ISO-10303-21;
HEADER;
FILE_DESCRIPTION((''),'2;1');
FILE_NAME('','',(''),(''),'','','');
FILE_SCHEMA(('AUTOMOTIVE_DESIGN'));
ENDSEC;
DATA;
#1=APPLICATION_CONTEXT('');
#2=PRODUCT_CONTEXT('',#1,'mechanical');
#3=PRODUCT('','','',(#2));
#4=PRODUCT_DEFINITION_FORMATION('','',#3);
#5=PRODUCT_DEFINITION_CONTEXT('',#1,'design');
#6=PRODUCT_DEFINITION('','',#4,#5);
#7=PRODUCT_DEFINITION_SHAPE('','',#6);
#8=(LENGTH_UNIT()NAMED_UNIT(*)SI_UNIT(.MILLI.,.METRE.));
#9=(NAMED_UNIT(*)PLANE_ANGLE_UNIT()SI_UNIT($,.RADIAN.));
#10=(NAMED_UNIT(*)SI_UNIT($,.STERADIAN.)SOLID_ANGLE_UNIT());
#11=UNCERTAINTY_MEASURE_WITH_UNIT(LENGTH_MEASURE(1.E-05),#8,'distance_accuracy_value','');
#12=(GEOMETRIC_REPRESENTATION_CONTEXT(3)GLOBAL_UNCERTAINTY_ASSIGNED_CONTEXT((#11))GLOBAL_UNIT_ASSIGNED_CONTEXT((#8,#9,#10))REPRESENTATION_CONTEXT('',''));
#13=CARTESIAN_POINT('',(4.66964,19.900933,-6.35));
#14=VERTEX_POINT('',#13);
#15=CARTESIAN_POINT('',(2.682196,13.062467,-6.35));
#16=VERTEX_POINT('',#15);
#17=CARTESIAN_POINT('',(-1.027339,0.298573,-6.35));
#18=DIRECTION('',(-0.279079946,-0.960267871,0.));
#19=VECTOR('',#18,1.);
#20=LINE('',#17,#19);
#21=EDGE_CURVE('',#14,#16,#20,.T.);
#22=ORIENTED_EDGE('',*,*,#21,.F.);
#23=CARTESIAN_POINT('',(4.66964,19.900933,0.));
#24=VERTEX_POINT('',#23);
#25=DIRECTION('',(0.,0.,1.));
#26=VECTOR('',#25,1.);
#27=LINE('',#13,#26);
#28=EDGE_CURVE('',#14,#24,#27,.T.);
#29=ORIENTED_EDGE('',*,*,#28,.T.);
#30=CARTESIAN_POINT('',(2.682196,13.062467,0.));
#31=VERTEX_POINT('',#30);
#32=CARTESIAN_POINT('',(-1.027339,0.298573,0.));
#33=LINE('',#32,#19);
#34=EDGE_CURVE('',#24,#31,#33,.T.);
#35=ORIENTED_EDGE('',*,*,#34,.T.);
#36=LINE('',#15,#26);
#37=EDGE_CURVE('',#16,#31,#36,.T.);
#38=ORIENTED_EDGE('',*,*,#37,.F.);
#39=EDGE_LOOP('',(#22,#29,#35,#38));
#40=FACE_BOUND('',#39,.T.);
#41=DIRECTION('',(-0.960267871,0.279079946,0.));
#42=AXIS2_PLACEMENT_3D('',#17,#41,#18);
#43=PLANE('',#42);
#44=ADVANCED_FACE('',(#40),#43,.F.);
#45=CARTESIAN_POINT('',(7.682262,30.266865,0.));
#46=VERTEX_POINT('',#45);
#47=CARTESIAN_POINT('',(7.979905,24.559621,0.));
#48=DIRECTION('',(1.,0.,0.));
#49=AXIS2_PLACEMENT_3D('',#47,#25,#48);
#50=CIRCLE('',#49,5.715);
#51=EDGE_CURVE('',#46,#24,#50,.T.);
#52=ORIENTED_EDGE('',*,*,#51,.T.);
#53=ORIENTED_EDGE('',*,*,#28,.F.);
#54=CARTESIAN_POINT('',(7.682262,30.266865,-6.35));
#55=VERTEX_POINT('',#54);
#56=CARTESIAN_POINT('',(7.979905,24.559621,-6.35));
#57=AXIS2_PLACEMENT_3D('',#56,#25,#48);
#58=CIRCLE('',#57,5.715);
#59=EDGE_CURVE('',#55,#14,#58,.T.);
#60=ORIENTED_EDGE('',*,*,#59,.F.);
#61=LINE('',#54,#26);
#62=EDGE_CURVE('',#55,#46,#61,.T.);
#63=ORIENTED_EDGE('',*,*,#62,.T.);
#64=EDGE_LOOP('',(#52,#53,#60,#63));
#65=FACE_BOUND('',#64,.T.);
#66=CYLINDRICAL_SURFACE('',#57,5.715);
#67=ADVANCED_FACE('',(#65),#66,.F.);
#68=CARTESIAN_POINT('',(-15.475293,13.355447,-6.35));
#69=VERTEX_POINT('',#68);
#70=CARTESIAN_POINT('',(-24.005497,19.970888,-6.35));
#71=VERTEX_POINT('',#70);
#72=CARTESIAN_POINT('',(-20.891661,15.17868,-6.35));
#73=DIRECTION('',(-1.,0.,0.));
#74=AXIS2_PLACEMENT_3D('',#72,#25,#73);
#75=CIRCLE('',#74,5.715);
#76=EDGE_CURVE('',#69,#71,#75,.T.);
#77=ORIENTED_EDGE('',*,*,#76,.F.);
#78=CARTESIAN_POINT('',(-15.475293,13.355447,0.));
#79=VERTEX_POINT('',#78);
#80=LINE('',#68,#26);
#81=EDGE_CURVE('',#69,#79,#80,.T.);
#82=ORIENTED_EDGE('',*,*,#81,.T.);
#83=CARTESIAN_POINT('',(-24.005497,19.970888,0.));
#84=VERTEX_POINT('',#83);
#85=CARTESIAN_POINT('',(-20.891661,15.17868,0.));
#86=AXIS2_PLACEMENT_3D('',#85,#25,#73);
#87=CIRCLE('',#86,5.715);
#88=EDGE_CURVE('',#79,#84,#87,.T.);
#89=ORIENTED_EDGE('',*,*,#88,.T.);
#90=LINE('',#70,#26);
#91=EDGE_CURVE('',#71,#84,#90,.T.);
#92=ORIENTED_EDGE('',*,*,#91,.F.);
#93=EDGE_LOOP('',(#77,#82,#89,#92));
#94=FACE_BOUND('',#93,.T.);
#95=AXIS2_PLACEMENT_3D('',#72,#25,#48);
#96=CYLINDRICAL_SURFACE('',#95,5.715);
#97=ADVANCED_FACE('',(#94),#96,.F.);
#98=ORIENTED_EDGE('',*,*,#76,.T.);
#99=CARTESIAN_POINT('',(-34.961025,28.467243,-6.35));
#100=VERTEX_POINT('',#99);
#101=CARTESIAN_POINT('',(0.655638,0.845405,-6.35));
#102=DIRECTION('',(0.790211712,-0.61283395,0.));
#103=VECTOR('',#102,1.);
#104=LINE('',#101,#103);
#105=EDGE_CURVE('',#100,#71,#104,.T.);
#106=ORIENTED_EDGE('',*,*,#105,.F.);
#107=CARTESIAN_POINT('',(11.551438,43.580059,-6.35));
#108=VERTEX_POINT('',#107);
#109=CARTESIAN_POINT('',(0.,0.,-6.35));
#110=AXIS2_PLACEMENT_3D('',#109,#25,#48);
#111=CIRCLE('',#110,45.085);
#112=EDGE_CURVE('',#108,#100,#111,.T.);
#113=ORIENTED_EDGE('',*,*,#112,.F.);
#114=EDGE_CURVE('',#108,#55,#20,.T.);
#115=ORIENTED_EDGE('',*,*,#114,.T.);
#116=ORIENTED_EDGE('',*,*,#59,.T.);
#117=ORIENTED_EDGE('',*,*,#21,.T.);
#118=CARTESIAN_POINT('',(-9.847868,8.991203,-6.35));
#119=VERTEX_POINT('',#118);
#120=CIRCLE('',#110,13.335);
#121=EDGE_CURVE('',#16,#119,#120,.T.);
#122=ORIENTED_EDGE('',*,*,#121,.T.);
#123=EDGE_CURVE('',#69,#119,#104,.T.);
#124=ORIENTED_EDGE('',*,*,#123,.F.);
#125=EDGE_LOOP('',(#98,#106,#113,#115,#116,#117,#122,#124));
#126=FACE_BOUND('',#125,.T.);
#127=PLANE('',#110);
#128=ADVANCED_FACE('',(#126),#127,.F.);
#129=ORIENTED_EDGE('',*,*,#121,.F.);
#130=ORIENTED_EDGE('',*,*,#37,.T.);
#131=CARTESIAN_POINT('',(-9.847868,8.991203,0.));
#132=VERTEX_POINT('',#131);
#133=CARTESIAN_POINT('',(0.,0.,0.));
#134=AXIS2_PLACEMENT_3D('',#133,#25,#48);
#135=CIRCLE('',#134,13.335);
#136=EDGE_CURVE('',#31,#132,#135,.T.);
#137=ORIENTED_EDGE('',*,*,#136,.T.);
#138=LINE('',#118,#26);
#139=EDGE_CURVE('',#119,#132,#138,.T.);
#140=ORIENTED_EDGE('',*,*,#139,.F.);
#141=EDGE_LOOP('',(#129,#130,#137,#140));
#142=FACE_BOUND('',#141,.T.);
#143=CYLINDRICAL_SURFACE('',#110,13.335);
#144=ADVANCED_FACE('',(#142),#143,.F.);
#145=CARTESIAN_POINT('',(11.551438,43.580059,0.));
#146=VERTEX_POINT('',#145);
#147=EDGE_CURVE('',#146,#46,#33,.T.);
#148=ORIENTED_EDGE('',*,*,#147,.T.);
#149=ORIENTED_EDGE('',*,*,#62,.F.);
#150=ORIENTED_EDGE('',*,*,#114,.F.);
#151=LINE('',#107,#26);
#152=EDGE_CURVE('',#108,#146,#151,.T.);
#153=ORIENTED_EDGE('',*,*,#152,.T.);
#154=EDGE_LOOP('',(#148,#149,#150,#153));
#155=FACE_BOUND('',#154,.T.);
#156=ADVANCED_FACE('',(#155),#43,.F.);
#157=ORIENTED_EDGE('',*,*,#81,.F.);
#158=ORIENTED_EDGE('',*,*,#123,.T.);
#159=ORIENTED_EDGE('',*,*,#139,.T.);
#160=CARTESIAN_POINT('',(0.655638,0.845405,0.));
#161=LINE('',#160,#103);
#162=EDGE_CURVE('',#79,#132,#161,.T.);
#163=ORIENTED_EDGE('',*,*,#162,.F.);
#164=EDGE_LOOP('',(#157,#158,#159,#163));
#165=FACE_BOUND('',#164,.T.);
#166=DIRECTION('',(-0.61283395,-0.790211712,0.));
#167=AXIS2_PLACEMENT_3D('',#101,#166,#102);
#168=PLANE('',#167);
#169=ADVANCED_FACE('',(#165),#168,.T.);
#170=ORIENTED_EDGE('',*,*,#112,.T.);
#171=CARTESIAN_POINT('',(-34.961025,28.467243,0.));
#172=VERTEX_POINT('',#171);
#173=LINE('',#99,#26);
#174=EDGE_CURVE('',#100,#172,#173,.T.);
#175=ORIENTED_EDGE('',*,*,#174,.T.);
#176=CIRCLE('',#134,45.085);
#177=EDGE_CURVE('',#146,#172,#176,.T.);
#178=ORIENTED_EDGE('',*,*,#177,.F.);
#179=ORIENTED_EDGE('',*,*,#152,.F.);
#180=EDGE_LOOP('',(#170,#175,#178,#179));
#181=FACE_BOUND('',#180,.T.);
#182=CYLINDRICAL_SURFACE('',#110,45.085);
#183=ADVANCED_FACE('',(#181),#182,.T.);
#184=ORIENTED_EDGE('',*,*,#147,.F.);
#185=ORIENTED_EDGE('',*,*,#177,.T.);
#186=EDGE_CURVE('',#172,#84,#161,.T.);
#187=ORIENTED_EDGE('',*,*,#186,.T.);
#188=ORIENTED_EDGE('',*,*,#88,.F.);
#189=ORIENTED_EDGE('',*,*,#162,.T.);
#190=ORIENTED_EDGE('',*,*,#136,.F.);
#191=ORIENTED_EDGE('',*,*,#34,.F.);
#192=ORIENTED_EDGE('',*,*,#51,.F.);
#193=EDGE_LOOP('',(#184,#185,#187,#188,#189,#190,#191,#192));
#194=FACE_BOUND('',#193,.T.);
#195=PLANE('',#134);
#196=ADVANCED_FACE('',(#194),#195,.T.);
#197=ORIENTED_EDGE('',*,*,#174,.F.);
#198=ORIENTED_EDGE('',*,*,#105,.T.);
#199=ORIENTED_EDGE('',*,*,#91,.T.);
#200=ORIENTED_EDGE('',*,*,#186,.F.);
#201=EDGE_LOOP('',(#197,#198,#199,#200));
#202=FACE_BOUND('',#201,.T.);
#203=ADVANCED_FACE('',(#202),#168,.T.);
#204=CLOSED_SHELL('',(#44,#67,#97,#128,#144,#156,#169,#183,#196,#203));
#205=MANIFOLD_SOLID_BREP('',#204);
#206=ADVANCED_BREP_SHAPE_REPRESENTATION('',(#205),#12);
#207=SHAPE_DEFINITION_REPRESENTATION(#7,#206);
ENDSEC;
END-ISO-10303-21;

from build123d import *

# Parameters (mm, degrees)
BOSS_EXTRUDE1_DEPTH = 6.35
CUT_EXTRUDE1_DEPTH  = 58.404294318


with BuildPart() as part:
    # Sketch13 → Boss-Extrude1 (new body)
    with BuildSketch(Plane.XY):
        with BuildLine():
            Line((11.551437691, 43.580058654), (2.682196049, 13.0624672))
            ThreePointArc((2.682196049, 13.0624672), (-4.12074162, 12.682338645), (-9.847867764, 8.991202672))
            Line((-9.847867764, 8.991202672), (-34.961025172, 28.467243349))
            ThreePointArc((-34.961025172, 28.467243349), (-13.932031191, 42.878383037), (11.551437691, 43.580058654))
        make_face()
    extrude(amount=-BOSS_EXTRUDE1_DEPTH)

    # Sketch15 → Cut-Extrude1 (cut, through all)
    with BuildSketch(Plane.XY):
        with BuildLine():
            Line((7.682261651, 30.266864763), (4.669640038, 19.900932781))
            ThreePointArc((4.669640038, 19.900932781), (2.491973647, 26.154562688), (7.682261651, 30.266864763))
        make_face()
        with BuildLine():
            Line((-24.005496972, 19.970887857), (-15.475292944, 13.355447276))
            ThreePointArc((-15.475292944, 13.355447276), (-17.389315258, 19.694740336), (-24.005496972, 19.970887857))
        make_face()
    extrude(amount=-CUT_EXTRUDE1_DEPTH, mode=Mode.SUBTRACT)


solid = part.part
